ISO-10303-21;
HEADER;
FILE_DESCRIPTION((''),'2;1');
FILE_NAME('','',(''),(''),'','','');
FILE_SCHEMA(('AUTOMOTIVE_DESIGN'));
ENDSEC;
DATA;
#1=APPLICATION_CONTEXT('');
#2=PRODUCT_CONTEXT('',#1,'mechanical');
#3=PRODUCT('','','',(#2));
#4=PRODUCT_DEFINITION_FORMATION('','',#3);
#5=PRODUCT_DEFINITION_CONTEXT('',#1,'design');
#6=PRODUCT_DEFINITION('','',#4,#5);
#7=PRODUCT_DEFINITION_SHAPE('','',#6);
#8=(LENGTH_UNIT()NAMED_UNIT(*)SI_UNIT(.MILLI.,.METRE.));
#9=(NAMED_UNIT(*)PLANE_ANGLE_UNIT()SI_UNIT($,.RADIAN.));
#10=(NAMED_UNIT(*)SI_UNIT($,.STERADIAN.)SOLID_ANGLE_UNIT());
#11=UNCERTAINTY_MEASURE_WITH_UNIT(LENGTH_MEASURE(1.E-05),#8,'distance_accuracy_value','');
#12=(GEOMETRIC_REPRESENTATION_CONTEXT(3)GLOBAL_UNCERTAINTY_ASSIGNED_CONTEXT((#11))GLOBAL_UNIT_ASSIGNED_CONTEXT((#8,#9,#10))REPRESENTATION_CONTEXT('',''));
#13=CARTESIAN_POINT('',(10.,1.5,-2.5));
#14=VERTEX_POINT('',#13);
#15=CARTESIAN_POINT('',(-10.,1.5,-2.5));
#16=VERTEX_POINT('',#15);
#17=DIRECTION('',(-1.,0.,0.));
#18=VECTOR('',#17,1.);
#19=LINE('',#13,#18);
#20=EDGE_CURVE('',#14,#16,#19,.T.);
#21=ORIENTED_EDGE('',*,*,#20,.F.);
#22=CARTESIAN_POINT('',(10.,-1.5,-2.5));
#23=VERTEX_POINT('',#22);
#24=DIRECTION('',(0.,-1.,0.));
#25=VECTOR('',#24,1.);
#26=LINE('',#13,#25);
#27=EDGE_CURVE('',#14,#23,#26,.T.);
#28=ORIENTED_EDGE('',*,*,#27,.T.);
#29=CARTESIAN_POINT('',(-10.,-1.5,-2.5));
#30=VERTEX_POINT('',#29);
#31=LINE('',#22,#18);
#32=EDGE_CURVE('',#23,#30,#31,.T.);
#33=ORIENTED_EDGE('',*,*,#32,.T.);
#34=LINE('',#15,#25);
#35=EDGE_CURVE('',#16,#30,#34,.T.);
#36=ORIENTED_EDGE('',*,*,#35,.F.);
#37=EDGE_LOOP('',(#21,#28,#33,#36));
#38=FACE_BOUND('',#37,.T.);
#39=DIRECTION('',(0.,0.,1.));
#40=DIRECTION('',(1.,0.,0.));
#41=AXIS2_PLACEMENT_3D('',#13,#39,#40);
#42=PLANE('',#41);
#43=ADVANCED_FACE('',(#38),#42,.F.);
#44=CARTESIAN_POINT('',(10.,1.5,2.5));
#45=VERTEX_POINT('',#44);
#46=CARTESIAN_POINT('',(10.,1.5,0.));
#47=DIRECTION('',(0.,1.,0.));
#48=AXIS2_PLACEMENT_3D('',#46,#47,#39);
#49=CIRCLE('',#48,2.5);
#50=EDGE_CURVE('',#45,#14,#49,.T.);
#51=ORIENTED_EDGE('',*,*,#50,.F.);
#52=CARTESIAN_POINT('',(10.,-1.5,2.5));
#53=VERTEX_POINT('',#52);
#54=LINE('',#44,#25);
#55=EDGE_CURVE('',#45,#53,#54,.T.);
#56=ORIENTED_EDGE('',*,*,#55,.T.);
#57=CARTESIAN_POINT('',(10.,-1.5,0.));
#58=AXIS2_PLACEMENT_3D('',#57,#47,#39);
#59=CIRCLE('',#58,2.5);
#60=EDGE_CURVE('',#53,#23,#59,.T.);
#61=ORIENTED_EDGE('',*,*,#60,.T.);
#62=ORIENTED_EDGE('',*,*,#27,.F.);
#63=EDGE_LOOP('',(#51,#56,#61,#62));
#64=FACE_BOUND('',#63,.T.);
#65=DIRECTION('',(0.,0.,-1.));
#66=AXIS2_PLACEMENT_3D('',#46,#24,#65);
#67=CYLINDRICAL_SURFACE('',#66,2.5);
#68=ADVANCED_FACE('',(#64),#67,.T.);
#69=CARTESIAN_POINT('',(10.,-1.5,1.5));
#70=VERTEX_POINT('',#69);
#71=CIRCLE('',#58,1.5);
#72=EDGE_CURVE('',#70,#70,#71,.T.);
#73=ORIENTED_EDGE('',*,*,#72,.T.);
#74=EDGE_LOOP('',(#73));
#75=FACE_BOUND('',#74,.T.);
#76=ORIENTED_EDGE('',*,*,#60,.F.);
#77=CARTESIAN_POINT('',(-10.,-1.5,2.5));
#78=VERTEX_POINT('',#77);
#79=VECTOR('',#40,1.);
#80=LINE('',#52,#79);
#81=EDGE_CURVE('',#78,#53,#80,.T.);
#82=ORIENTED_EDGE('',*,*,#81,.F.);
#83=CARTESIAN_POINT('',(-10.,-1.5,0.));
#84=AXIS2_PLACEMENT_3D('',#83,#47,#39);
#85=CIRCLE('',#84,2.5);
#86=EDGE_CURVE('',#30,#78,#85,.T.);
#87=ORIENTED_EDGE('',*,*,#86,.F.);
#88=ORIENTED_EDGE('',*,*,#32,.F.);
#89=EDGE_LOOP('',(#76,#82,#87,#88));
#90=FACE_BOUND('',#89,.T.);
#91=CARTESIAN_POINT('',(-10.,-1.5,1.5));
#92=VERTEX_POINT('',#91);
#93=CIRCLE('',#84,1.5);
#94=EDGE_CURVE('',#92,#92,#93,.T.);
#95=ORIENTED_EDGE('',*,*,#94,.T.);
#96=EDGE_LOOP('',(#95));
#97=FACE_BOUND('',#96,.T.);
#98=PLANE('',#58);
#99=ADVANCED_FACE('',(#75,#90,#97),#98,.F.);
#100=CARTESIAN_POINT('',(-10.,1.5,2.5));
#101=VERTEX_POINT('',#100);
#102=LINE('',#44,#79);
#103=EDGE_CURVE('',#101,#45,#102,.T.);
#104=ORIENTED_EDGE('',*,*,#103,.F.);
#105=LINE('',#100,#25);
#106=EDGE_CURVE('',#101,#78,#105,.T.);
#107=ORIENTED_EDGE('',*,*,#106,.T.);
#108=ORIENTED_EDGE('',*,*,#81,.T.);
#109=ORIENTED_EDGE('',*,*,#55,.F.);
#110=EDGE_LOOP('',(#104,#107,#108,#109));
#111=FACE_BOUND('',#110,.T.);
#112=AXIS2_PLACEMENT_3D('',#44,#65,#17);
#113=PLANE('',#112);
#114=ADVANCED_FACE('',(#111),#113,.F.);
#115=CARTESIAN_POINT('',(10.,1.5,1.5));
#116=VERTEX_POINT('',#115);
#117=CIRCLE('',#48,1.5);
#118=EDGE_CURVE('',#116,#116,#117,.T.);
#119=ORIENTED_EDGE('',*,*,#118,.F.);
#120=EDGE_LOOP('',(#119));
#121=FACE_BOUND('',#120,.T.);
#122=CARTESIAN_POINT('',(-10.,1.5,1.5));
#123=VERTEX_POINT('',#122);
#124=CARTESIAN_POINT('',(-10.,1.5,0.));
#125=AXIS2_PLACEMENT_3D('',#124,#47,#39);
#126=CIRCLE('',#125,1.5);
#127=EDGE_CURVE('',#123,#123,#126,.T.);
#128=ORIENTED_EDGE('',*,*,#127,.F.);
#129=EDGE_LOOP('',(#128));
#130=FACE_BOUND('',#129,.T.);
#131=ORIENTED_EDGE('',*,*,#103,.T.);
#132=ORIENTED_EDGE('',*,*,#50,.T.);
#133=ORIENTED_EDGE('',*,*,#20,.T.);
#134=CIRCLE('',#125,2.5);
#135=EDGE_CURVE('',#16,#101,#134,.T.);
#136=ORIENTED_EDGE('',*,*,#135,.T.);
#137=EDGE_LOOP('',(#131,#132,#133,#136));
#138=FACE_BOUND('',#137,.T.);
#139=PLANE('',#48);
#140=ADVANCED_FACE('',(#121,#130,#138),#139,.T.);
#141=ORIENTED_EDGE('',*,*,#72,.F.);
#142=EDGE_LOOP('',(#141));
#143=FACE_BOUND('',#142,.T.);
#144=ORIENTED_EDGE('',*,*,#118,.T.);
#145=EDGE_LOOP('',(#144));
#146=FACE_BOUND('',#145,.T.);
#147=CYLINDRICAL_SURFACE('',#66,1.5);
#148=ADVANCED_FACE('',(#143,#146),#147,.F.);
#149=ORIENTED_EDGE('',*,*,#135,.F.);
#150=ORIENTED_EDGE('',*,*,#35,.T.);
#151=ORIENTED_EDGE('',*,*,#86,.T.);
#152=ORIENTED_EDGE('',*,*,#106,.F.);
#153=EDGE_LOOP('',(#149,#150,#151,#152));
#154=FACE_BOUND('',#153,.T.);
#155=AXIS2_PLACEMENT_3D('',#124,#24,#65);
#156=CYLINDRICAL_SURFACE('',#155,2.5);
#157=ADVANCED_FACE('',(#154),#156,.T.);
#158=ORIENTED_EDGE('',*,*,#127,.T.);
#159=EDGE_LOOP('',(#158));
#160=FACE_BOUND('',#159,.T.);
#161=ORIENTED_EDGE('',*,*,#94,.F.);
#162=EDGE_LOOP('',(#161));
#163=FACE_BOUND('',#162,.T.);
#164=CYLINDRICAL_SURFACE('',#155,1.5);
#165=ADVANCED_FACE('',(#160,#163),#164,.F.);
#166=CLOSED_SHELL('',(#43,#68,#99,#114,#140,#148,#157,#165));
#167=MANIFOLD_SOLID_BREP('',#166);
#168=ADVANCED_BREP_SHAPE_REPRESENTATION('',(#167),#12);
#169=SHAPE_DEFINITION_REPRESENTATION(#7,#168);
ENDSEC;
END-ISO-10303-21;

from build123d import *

# Parameters (mm, degrees)
CROQUIS1_R              = 1.5
SALIENTE_EXTRUIR1_DEPTH = 1.5


with BuildPart() as part:
    # Croquis1 → Saliente-Extruir1 (new, symmetric)
    with BuildSketch(Plane(origin=(0, 0, 0), x_dir=(1, 0, 0), z_dir=(0, 1, 0))):
        with BuildLine():
            Line((10, -2.5), (-10, -2.5))
            ThreePointArc((-10, -2.5), (-12.5, 0), (-10, 2.5))
            Line((-10, 2.5), (10, 2.5))
            ThreePointArc((10, 2.5), (12.5, 0), (10, -2.5))
        make_face()
        with Locations(Location((-10, 0, 0), (0, 0, 270))):
            Circle(CROQUIS1_R, mode=Mode.SUBTRACT)
        with Locations(Location((10, 0, 0), (0, 0, 270))):
            Circle(CROQUIS1_R, mode=Mode.SUBTRACT)
    extrude(amount=SALIENTE_EXTRUIR1_DEPTH, both=True)


solid = part.part
